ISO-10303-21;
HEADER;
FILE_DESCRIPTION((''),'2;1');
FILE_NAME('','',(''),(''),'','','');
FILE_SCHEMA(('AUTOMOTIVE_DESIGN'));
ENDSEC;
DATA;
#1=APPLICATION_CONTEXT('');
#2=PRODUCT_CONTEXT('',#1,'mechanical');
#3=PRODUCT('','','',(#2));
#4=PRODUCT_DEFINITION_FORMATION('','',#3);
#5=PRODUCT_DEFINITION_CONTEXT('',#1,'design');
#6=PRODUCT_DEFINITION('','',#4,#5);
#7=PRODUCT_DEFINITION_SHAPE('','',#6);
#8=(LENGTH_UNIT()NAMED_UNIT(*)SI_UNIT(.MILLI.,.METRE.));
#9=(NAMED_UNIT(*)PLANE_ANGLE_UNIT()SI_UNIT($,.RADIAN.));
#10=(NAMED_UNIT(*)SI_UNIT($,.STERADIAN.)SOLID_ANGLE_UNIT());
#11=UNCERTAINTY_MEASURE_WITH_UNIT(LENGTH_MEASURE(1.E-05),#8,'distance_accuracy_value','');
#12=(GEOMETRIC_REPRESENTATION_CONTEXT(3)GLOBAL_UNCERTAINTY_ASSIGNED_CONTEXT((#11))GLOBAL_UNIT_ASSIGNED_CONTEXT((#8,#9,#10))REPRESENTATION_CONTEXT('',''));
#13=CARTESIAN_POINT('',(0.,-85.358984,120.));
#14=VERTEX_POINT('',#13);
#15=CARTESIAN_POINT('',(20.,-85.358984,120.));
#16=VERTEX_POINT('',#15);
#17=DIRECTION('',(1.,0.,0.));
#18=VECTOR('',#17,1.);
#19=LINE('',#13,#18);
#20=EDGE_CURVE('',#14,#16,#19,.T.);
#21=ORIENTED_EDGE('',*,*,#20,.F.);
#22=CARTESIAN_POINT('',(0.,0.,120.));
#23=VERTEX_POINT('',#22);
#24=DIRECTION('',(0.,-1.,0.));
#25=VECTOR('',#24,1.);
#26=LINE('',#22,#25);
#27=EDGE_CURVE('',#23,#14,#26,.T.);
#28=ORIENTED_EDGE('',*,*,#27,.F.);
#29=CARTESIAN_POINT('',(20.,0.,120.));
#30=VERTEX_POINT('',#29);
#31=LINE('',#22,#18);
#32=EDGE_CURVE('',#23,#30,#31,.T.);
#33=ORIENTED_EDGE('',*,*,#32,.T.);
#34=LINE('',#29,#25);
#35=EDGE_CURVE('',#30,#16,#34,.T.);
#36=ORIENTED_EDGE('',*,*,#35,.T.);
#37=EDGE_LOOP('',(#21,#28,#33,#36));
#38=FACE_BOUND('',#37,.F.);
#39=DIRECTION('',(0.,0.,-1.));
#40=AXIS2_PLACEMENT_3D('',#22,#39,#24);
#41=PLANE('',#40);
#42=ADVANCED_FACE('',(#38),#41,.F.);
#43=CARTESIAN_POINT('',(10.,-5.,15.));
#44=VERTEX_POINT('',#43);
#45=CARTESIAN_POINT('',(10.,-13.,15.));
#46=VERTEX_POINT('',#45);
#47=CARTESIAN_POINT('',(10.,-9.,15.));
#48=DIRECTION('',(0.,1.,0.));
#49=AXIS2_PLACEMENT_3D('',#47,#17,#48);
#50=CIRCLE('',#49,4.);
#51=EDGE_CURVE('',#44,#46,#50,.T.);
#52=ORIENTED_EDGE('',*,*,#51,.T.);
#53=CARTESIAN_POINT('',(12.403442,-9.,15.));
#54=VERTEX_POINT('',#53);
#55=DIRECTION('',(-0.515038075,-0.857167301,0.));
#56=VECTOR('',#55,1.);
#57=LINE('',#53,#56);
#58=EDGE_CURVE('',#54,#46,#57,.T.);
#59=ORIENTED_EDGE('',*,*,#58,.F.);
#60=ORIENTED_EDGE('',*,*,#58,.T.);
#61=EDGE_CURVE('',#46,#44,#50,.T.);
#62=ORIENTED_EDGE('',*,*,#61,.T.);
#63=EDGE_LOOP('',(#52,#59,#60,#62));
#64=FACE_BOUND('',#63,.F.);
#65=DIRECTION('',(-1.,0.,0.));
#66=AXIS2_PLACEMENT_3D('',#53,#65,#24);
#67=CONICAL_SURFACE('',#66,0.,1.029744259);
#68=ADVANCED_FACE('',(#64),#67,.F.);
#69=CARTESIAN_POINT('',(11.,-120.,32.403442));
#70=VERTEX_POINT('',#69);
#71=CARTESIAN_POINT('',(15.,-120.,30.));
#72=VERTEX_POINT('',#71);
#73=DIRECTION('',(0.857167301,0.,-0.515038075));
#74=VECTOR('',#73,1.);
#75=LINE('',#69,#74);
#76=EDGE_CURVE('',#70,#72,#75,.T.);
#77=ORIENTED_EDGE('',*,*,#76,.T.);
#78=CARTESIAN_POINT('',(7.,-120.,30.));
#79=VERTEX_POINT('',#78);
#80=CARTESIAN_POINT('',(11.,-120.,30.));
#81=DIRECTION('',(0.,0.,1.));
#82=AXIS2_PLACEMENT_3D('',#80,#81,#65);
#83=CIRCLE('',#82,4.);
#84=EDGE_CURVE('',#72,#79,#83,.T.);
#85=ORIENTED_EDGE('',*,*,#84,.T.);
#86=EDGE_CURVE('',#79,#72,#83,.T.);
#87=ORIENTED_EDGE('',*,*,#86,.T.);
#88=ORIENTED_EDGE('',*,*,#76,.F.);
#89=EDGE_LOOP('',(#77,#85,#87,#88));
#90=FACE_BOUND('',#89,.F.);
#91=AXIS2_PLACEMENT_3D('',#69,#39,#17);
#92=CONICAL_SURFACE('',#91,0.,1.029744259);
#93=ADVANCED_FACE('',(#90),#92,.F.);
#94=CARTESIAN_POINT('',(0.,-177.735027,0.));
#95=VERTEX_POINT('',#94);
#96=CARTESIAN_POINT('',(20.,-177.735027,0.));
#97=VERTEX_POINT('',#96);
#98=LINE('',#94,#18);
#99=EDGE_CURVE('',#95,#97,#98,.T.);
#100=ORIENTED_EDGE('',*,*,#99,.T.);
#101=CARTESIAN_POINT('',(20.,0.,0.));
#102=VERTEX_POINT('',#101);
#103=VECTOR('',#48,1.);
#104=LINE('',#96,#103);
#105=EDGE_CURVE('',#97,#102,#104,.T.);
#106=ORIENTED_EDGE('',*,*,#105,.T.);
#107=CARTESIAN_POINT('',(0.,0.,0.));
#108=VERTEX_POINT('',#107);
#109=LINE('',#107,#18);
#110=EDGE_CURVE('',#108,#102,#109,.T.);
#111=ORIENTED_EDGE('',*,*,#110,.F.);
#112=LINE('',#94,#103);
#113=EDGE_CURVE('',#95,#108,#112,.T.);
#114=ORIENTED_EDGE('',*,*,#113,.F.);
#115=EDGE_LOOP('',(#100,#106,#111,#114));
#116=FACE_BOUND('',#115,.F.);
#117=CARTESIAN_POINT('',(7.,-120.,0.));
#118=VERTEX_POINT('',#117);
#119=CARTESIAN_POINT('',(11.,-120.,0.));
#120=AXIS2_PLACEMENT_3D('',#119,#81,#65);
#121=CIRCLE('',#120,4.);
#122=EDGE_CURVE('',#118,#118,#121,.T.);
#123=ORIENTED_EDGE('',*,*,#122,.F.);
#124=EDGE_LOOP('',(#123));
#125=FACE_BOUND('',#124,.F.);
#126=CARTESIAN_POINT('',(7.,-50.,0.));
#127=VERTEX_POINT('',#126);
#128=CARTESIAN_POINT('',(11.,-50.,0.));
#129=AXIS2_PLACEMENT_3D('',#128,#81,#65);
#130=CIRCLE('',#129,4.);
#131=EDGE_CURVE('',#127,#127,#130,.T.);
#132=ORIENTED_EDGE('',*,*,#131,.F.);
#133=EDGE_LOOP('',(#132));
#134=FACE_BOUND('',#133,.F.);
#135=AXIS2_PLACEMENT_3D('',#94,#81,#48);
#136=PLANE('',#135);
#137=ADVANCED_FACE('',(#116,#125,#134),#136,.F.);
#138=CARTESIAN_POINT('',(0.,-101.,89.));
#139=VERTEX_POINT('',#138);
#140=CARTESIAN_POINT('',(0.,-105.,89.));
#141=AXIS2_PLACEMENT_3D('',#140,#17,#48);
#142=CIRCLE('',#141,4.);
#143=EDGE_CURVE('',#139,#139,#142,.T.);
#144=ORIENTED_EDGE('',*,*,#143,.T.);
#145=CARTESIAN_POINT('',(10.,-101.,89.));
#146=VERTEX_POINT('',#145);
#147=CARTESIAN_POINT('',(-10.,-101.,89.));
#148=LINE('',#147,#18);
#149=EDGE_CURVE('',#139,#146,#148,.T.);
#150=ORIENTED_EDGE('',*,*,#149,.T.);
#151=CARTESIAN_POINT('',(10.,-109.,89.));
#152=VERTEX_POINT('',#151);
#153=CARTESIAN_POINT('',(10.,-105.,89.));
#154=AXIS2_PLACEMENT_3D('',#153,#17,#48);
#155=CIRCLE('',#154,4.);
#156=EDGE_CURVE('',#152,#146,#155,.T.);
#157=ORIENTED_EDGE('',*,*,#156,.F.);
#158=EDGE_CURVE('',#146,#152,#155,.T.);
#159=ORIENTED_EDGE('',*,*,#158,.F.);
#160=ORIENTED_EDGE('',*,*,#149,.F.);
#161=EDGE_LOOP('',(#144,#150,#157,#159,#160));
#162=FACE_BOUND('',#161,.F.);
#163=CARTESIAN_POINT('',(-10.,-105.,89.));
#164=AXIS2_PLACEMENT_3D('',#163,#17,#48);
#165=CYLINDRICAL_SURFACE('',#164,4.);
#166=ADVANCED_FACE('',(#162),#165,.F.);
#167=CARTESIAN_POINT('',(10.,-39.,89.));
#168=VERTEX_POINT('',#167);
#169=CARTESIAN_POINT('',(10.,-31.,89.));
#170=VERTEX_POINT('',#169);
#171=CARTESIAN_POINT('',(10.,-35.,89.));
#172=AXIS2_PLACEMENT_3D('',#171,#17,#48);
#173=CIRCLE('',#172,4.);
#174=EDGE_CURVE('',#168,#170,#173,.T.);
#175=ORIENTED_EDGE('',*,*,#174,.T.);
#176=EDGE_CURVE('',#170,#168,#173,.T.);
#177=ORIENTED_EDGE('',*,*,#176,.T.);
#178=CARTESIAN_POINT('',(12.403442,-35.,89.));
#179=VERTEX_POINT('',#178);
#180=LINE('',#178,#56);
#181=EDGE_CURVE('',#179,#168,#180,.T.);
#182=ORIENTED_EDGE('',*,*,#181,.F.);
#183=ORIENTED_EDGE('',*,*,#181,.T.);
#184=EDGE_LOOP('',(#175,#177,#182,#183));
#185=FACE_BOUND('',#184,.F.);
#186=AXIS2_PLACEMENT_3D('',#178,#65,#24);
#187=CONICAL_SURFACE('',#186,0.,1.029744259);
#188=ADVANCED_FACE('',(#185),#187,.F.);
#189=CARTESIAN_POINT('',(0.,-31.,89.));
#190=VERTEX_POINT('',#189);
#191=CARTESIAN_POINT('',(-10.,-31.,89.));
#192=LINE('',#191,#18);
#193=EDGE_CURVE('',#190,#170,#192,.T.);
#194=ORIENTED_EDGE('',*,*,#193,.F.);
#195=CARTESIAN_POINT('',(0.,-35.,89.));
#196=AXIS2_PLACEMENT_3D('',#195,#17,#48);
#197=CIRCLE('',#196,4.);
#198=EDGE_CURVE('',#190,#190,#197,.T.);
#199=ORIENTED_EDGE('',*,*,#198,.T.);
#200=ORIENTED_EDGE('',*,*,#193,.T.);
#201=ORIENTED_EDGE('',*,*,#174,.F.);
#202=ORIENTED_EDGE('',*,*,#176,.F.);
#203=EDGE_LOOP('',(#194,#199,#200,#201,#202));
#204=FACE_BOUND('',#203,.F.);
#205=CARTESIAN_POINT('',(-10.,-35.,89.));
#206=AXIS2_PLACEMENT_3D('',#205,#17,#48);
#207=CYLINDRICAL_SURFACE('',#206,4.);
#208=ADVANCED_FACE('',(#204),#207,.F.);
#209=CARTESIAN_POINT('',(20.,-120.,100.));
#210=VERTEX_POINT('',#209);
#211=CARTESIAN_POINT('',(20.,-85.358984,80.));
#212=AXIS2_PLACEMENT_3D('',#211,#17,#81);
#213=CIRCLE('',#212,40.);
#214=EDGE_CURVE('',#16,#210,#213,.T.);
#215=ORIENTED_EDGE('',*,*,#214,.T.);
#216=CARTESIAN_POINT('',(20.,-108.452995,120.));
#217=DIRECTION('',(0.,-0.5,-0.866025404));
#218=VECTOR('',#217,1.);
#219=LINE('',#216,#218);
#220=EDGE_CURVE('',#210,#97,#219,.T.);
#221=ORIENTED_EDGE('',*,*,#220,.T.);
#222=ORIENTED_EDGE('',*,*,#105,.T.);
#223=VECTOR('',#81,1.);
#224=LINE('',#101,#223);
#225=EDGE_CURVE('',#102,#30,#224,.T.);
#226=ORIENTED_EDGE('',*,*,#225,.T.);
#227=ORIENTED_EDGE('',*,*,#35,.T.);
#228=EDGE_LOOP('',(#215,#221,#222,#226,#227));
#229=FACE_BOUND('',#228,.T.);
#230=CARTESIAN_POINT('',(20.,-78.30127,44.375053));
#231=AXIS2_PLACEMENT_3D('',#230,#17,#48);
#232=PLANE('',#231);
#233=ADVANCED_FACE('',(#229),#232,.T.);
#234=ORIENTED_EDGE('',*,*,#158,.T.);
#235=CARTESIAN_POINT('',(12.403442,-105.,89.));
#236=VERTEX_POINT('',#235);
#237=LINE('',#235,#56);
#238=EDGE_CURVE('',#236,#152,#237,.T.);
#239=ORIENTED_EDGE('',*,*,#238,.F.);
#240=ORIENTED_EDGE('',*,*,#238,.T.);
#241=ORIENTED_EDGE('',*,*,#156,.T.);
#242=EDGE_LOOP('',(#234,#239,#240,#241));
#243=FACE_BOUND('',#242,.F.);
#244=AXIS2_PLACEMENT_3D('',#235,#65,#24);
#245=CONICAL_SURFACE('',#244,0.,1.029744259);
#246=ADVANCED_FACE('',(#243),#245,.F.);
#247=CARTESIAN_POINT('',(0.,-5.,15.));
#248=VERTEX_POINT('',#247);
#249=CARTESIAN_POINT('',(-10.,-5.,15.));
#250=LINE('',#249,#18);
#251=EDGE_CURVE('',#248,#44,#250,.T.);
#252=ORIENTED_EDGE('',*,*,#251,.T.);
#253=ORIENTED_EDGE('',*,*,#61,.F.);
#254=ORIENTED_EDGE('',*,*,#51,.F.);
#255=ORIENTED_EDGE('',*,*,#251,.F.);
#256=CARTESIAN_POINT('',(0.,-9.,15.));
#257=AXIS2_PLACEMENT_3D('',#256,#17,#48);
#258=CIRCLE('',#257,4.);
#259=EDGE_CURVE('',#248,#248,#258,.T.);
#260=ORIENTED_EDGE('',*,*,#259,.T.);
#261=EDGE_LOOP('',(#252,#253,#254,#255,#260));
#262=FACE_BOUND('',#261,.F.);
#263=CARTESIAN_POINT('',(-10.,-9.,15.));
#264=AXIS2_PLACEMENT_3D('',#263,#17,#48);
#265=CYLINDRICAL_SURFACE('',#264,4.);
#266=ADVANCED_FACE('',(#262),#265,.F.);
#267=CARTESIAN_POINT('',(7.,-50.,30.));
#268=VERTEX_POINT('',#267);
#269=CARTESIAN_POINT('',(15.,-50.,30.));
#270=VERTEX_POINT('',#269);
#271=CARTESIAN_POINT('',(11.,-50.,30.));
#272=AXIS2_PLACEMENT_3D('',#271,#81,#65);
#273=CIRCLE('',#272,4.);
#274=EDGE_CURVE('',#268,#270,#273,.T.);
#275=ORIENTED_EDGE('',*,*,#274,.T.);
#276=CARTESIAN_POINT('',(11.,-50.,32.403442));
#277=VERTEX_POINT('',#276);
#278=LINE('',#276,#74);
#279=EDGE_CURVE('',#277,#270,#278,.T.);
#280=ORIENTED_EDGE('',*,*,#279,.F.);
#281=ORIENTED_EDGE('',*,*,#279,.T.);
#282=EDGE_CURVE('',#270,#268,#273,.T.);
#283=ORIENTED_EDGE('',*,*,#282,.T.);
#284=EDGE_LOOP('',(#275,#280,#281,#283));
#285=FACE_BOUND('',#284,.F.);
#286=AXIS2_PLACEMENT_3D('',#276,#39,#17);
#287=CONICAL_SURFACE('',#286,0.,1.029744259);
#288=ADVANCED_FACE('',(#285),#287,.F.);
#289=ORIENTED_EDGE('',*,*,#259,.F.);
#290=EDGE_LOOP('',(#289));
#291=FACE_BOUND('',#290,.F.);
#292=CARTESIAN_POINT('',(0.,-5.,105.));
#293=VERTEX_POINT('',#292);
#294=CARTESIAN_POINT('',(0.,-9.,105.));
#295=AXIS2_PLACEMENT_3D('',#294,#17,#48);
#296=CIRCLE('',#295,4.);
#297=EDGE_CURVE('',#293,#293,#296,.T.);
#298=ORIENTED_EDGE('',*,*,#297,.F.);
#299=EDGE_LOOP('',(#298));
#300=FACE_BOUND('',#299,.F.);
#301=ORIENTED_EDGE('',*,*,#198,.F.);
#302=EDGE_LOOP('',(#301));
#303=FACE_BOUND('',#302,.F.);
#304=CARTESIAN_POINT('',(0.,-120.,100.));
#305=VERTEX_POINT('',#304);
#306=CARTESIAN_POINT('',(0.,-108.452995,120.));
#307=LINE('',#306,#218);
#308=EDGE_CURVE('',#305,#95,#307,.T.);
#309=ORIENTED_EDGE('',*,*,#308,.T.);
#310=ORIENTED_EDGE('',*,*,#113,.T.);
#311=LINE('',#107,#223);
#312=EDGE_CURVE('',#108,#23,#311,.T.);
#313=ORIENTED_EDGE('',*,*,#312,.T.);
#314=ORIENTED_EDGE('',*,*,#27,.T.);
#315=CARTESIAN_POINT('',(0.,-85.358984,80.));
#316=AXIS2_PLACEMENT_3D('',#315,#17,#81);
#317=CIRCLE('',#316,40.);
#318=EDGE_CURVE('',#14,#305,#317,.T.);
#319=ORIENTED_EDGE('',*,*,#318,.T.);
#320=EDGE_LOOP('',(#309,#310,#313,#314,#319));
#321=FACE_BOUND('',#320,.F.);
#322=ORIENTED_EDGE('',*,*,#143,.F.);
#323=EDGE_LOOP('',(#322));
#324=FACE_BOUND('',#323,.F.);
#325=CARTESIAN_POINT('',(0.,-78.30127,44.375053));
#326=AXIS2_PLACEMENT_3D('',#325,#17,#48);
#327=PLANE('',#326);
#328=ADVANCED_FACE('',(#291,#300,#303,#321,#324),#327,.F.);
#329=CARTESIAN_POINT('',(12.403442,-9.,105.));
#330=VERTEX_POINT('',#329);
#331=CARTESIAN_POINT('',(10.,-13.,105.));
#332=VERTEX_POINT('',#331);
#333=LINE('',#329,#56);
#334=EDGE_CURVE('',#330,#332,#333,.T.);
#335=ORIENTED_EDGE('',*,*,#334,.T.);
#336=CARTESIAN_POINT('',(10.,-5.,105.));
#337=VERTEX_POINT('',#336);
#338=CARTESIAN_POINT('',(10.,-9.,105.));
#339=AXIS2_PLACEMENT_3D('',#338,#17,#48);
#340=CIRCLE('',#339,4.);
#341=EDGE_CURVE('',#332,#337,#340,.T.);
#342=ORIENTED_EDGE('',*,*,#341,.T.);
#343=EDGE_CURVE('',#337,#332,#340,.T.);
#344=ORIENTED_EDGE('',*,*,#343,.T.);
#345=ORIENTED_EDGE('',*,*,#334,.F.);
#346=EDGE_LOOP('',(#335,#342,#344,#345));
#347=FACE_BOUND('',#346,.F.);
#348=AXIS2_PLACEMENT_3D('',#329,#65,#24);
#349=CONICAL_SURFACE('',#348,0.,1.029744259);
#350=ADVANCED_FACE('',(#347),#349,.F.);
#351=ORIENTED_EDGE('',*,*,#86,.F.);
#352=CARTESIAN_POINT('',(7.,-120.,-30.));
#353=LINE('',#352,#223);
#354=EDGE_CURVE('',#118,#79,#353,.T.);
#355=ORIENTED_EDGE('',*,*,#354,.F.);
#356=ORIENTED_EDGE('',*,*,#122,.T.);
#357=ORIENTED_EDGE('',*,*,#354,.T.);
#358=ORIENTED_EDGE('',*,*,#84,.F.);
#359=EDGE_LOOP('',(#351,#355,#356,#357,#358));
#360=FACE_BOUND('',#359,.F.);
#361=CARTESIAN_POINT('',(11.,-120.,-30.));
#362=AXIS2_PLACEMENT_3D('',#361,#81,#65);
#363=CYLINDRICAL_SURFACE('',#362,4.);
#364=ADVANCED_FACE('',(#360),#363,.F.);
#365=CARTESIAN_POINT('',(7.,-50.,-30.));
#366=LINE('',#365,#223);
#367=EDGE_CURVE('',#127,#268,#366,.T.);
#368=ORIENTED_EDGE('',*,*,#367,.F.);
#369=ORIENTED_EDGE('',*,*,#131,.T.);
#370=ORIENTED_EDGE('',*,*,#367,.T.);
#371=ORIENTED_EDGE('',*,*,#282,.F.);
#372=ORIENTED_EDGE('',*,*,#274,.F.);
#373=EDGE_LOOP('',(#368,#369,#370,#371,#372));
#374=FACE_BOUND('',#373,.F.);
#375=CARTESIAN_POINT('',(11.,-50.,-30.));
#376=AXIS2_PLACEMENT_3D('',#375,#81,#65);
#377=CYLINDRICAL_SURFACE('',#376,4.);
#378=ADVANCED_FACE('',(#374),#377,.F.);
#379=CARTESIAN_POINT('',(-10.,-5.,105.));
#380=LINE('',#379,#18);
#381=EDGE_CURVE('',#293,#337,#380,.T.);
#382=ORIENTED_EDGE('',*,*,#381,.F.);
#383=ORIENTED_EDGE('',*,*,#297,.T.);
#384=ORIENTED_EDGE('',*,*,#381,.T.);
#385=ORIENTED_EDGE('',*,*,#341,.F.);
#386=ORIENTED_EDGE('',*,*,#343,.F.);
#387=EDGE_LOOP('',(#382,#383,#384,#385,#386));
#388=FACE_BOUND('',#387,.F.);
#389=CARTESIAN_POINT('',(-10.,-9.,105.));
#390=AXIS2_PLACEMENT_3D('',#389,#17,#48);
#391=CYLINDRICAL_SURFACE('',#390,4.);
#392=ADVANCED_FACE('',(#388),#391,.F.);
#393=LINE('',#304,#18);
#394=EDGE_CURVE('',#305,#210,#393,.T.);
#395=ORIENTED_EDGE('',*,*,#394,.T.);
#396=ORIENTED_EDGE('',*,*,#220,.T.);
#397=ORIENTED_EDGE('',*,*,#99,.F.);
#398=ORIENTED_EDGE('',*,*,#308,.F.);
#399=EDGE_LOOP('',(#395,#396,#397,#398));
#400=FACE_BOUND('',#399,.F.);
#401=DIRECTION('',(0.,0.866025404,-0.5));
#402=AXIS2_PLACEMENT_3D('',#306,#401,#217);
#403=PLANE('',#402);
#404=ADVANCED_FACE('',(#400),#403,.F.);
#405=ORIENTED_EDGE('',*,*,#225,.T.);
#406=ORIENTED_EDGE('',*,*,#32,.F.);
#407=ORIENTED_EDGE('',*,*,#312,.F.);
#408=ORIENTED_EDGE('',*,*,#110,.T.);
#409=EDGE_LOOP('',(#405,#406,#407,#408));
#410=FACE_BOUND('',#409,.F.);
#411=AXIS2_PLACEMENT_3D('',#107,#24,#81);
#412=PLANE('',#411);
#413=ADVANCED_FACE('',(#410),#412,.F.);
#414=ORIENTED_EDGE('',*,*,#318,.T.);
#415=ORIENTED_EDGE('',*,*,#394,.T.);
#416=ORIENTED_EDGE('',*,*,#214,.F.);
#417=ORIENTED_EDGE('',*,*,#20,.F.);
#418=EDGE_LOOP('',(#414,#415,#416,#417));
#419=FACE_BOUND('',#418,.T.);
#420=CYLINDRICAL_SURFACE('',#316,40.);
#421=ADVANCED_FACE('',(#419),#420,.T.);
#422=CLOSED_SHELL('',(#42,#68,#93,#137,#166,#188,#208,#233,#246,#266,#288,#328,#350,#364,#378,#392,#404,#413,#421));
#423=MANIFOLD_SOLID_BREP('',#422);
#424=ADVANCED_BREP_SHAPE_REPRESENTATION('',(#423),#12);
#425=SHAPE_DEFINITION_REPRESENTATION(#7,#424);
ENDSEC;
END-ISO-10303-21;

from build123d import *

# Parameters (mm, degrees)
F1_DEPTH = 20
F2_R     = 40
F5_D     = 8
F5_DEPTH = 10
F5_TIP   = 2.4034424761
F6_D     = 8
F6_DEPTH = 30
F6_TIP   = 2.4034424761


with BuildPart() as f1:
    # F0 (on Right) → F1 (new body)
    with BuildSketch(Plane.YZ):
        Polygon((-177.735026919, 0), (0, 0), (0, 100), (-120, 100), align=None)
        Polygon((-120, 100), (0, 100), (0, 120), (-108.4529946162, 120), align=None)
    extrude(amount=F1_DEPTH)

    # F2
    f2_edges = [f1.edges().sort_by_distance(p)[0] for p in [
        (10, -108.452995, 120),
    ]]
    fillet(f2_edges, radius=F2_R)

    # F5
    with Locations(Plane(origin=(0, 0, 0), x_dir=(0, -1, 0), z_dir=(-1, 0, 0))):
        with Locations((35, 89), (105, 89), (9, 15), (9, 105)):
            Hole(F5_D / 2, depth=F5_DEPTH)
            with Locations((0, 0, -(F5_DEPTH + F5_TIP / 2))):  # 118° drill point
                Cone(0, F5_D / 2, F5_TIP, mode=Mode.SUBTRACT)

    # F6
    with Locations(Plane(origin=(0, 0, 0), x_dir=(1, 0, 0), z_dir=(0, 0, -1))):
        with Locations((11, 120), (11, 50)):
            Hole(F6_D / 2, depth=F6_DEPTH)
            with Locations((0, 0, -(F6_DEPTH + F6_TIP / 2))):  # 118° drill point
                Cone(0, F6_D / 2, F6_TIP, mode=Mode.SUBTRACT)


solid = f1.part
